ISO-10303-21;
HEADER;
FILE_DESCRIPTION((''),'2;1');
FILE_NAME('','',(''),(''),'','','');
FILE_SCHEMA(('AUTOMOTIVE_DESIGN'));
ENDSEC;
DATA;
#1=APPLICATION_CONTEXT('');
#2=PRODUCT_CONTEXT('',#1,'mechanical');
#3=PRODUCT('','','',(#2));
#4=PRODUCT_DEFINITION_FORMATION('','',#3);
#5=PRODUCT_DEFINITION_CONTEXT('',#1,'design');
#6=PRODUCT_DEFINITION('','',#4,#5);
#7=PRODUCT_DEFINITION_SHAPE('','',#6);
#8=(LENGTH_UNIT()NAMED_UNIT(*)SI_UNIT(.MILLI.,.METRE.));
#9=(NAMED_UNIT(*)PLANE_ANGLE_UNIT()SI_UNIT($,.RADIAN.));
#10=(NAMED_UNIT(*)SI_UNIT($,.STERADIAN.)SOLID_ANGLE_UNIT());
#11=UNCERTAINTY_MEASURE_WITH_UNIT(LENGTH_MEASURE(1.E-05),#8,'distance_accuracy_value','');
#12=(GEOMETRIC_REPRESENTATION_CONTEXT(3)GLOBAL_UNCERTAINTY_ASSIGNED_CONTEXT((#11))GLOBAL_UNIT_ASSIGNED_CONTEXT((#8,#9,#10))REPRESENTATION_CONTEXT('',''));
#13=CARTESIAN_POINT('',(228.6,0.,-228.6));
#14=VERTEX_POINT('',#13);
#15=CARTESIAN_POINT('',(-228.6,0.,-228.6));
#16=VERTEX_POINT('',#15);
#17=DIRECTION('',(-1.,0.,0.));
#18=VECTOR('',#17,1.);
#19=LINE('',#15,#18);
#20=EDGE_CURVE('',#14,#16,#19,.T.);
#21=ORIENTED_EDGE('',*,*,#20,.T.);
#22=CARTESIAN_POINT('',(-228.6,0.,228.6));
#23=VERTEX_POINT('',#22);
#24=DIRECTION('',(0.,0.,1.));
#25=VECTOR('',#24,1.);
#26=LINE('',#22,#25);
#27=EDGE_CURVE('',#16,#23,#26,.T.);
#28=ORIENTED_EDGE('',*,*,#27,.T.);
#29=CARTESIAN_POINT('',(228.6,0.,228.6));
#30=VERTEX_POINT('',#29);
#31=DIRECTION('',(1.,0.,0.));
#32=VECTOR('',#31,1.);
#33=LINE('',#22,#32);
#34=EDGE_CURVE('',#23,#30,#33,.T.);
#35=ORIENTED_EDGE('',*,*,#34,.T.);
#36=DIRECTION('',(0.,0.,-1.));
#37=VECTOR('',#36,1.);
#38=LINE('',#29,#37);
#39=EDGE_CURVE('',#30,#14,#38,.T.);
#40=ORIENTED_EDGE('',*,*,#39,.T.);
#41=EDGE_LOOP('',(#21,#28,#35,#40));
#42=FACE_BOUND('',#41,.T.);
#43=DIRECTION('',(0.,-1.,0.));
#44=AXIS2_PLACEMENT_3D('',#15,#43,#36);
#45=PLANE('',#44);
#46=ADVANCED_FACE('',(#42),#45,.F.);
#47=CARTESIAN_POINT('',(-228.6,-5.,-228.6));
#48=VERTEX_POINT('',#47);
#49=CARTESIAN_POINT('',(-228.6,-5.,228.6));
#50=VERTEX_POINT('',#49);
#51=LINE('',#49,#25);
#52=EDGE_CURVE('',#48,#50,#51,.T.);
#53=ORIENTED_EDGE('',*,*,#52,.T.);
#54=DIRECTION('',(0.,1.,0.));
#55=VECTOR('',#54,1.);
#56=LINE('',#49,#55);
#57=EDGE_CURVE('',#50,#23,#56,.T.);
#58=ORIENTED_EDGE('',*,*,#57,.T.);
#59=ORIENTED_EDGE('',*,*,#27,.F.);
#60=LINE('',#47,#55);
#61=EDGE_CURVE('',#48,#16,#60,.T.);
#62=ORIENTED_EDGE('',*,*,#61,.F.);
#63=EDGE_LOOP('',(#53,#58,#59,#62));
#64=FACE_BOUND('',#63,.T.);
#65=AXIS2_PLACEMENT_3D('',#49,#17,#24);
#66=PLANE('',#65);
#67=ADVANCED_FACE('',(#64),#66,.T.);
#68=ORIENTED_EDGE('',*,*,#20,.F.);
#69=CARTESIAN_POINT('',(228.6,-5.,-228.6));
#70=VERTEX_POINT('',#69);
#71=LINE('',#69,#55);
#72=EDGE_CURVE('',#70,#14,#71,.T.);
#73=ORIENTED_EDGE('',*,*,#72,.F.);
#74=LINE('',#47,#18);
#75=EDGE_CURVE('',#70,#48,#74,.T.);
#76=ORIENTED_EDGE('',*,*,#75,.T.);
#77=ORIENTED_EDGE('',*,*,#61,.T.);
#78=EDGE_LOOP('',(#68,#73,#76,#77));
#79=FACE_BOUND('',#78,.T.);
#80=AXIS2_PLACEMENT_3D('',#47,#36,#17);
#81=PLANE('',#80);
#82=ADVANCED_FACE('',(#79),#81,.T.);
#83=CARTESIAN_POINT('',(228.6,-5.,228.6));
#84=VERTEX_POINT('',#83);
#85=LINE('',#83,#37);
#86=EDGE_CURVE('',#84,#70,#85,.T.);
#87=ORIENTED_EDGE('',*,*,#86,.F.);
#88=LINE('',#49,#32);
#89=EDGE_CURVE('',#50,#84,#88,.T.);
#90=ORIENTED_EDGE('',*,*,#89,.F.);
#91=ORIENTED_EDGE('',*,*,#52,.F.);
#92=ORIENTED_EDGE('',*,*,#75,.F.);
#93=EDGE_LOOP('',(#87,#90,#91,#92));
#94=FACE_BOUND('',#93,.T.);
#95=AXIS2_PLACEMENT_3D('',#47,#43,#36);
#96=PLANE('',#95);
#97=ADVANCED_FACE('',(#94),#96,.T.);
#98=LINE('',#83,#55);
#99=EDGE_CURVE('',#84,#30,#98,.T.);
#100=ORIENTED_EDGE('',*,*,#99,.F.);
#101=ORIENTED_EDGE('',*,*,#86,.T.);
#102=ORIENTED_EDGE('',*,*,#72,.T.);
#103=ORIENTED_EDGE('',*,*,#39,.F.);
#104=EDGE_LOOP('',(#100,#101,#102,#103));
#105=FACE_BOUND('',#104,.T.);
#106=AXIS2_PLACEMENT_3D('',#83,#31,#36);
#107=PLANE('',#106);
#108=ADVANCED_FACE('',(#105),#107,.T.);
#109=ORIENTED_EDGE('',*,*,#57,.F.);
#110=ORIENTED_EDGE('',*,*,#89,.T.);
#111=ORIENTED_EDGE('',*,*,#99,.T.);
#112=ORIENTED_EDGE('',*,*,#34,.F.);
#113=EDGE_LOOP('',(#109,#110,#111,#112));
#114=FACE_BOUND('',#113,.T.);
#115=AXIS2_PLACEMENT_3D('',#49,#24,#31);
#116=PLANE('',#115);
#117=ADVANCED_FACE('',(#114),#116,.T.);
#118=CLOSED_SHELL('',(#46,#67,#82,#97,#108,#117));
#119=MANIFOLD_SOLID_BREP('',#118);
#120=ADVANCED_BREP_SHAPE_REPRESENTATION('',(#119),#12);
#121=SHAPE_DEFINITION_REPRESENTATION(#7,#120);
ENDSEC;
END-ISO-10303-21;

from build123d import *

# Parameters (mm, degrees)
SKETCH1_W      = 457.2
SKETCH1_H      = 457.2
EXTRUDE1_DEPTH = 5


with BuildPart() as part:
    # Sketch1 → Extrude1 (new body)
    with BuildSketch(Plane(origin=(0, 0, 0), x_dir=(1, 0, 0), z_dir=(0, 1, 0))):
        Rectangle(SKETCH1_W, SKETCH1_H)
    extrude(amount=-EXTRUDE1_DEPTH)


solid = part.part
